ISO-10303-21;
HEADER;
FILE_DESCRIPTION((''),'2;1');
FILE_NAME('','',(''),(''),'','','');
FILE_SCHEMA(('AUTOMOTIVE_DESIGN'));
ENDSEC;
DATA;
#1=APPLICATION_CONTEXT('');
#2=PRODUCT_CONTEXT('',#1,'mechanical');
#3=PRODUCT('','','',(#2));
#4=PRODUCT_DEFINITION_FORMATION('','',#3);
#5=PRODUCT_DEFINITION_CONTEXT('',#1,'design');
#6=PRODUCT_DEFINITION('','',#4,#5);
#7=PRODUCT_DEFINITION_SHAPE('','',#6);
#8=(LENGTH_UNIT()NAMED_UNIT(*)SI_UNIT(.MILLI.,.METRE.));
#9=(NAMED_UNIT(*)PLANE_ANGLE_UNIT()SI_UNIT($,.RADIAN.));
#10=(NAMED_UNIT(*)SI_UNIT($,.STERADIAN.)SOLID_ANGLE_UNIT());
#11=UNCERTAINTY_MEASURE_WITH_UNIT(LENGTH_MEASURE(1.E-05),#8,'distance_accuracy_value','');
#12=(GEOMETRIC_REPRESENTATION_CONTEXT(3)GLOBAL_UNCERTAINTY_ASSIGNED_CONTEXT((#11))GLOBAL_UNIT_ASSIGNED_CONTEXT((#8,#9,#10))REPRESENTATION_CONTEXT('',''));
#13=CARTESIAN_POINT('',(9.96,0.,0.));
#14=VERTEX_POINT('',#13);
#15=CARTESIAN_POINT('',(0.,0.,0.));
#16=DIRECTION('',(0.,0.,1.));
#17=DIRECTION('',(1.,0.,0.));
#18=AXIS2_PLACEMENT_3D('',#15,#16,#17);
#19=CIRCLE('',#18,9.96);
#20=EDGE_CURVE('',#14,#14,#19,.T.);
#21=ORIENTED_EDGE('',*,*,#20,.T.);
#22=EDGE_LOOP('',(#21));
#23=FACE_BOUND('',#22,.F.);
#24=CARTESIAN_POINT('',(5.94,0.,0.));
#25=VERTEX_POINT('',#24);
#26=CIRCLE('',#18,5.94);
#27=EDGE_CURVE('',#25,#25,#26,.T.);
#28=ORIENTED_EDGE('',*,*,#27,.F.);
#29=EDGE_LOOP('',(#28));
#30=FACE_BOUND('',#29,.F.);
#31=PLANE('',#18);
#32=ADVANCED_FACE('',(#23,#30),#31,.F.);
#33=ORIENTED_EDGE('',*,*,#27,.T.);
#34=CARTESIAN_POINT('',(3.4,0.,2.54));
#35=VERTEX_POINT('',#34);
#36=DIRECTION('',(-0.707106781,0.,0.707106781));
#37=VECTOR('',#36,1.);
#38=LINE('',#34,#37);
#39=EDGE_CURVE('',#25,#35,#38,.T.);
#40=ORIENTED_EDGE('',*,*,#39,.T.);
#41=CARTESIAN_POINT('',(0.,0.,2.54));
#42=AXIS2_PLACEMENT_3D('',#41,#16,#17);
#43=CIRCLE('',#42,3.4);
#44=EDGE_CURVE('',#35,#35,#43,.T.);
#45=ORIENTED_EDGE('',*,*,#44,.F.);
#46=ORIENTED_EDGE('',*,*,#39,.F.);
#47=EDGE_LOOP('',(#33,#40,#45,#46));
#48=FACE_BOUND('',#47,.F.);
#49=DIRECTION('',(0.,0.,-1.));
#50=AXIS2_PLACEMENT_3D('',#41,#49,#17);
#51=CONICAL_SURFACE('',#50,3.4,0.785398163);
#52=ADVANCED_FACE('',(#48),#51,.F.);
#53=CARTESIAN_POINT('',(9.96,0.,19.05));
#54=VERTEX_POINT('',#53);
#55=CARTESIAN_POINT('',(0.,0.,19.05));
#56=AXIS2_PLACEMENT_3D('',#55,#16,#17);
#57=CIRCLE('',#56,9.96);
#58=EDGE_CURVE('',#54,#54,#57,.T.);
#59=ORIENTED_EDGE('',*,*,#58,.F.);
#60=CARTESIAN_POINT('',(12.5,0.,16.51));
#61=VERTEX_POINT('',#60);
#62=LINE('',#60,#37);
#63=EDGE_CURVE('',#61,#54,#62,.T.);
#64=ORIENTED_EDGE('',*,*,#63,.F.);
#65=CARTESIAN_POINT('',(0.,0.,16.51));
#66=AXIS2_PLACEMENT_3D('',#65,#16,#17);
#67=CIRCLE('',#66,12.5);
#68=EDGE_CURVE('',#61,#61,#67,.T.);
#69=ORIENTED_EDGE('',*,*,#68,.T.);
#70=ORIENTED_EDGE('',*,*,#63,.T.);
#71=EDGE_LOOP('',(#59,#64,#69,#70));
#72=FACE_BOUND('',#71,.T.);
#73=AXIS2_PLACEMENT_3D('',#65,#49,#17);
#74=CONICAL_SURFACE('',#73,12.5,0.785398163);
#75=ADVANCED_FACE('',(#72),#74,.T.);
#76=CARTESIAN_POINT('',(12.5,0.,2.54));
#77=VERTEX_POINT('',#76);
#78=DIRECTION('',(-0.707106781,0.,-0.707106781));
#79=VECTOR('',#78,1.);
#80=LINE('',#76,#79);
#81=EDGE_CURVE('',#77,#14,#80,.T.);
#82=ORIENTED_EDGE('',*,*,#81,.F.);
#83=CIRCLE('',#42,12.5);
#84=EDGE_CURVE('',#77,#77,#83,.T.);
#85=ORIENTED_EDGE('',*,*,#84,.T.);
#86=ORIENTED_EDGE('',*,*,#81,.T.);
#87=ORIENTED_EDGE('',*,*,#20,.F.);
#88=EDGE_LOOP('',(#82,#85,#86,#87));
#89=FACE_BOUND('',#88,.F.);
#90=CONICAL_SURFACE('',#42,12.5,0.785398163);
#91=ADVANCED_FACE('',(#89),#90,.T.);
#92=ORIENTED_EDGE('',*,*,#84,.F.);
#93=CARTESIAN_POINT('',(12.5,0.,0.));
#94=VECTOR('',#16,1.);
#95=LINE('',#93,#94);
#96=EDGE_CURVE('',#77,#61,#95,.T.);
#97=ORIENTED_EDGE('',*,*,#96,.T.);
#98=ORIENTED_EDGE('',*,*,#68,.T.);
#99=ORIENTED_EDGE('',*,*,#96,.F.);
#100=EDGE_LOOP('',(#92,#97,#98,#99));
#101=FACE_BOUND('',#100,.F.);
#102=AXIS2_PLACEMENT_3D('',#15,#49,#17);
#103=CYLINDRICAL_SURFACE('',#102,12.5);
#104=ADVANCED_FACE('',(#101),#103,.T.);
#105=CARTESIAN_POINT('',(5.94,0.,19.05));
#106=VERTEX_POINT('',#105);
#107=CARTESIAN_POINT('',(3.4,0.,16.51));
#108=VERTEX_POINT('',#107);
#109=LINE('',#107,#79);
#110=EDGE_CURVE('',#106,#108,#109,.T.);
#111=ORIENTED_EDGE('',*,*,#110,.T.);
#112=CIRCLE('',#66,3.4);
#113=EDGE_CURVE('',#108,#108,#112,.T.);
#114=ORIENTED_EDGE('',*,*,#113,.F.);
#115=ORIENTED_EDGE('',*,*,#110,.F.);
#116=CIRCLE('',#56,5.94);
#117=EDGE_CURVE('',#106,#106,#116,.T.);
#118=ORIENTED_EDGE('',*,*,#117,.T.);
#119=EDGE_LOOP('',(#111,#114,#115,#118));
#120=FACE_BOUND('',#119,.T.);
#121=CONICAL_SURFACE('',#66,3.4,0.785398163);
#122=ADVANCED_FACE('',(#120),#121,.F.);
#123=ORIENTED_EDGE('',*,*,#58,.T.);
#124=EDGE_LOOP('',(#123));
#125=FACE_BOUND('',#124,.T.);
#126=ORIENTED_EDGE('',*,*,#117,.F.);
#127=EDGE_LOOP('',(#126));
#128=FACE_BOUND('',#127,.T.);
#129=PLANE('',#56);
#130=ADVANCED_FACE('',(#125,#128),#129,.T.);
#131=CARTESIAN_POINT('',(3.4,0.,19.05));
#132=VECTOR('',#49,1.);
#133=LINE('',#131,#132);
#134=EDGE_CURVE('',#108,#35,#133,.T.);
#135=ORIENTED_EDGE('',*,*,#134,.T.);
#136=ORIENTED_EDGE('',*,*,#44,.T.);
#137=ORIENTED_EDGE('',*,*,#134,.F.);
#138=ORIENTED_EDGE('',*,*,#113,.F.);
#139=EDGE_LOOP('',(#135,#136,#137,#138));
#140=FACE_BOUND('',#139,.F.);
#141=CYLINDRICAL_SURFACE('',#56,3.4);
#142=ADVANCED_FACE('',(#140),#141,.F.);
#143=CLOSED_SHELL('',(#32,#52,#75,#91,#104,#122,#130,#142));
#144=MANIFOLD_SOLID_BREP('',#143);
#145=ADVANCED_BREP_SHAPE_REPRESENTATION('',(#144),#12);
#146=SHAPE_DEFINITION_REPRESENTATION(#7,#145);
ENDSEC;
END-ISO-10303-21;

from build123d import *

# Parameters (mm, degrees)
F0_R     = 12.5
F1_DEPTH = 19.05
F2_R     = 3.4
F3_DEPTH = 25.4
F4_SIZE  = 2.54


with BuildPart() as f1:
    # F0 (on Top) → F1 (new body)
    with BuildSketch(Plane.XY):
        Circle(F0_R)
    extrude(amount=F1_DEPTH)

    # F2 (on face) → F3 (cut)
    with BuildSketch(Plane.XY.offset(19.05)):
        Circle(F2_R)
    extrude(amount=-F3_DEPTH, mode=Mode.SUBTRACT)

    # F4
    f4_edges = [f1.edges().sort_by_distance(p)[0] for p in [
        (-3.4, 0, 19.05),
        (-3.4, 0, 0),
        (-12.5, 0, 0),
        (-12.5, 0, 19.05),
    ]]
    chamfer(f4_edges, length=F4_SIZE)


solid = f1.part
